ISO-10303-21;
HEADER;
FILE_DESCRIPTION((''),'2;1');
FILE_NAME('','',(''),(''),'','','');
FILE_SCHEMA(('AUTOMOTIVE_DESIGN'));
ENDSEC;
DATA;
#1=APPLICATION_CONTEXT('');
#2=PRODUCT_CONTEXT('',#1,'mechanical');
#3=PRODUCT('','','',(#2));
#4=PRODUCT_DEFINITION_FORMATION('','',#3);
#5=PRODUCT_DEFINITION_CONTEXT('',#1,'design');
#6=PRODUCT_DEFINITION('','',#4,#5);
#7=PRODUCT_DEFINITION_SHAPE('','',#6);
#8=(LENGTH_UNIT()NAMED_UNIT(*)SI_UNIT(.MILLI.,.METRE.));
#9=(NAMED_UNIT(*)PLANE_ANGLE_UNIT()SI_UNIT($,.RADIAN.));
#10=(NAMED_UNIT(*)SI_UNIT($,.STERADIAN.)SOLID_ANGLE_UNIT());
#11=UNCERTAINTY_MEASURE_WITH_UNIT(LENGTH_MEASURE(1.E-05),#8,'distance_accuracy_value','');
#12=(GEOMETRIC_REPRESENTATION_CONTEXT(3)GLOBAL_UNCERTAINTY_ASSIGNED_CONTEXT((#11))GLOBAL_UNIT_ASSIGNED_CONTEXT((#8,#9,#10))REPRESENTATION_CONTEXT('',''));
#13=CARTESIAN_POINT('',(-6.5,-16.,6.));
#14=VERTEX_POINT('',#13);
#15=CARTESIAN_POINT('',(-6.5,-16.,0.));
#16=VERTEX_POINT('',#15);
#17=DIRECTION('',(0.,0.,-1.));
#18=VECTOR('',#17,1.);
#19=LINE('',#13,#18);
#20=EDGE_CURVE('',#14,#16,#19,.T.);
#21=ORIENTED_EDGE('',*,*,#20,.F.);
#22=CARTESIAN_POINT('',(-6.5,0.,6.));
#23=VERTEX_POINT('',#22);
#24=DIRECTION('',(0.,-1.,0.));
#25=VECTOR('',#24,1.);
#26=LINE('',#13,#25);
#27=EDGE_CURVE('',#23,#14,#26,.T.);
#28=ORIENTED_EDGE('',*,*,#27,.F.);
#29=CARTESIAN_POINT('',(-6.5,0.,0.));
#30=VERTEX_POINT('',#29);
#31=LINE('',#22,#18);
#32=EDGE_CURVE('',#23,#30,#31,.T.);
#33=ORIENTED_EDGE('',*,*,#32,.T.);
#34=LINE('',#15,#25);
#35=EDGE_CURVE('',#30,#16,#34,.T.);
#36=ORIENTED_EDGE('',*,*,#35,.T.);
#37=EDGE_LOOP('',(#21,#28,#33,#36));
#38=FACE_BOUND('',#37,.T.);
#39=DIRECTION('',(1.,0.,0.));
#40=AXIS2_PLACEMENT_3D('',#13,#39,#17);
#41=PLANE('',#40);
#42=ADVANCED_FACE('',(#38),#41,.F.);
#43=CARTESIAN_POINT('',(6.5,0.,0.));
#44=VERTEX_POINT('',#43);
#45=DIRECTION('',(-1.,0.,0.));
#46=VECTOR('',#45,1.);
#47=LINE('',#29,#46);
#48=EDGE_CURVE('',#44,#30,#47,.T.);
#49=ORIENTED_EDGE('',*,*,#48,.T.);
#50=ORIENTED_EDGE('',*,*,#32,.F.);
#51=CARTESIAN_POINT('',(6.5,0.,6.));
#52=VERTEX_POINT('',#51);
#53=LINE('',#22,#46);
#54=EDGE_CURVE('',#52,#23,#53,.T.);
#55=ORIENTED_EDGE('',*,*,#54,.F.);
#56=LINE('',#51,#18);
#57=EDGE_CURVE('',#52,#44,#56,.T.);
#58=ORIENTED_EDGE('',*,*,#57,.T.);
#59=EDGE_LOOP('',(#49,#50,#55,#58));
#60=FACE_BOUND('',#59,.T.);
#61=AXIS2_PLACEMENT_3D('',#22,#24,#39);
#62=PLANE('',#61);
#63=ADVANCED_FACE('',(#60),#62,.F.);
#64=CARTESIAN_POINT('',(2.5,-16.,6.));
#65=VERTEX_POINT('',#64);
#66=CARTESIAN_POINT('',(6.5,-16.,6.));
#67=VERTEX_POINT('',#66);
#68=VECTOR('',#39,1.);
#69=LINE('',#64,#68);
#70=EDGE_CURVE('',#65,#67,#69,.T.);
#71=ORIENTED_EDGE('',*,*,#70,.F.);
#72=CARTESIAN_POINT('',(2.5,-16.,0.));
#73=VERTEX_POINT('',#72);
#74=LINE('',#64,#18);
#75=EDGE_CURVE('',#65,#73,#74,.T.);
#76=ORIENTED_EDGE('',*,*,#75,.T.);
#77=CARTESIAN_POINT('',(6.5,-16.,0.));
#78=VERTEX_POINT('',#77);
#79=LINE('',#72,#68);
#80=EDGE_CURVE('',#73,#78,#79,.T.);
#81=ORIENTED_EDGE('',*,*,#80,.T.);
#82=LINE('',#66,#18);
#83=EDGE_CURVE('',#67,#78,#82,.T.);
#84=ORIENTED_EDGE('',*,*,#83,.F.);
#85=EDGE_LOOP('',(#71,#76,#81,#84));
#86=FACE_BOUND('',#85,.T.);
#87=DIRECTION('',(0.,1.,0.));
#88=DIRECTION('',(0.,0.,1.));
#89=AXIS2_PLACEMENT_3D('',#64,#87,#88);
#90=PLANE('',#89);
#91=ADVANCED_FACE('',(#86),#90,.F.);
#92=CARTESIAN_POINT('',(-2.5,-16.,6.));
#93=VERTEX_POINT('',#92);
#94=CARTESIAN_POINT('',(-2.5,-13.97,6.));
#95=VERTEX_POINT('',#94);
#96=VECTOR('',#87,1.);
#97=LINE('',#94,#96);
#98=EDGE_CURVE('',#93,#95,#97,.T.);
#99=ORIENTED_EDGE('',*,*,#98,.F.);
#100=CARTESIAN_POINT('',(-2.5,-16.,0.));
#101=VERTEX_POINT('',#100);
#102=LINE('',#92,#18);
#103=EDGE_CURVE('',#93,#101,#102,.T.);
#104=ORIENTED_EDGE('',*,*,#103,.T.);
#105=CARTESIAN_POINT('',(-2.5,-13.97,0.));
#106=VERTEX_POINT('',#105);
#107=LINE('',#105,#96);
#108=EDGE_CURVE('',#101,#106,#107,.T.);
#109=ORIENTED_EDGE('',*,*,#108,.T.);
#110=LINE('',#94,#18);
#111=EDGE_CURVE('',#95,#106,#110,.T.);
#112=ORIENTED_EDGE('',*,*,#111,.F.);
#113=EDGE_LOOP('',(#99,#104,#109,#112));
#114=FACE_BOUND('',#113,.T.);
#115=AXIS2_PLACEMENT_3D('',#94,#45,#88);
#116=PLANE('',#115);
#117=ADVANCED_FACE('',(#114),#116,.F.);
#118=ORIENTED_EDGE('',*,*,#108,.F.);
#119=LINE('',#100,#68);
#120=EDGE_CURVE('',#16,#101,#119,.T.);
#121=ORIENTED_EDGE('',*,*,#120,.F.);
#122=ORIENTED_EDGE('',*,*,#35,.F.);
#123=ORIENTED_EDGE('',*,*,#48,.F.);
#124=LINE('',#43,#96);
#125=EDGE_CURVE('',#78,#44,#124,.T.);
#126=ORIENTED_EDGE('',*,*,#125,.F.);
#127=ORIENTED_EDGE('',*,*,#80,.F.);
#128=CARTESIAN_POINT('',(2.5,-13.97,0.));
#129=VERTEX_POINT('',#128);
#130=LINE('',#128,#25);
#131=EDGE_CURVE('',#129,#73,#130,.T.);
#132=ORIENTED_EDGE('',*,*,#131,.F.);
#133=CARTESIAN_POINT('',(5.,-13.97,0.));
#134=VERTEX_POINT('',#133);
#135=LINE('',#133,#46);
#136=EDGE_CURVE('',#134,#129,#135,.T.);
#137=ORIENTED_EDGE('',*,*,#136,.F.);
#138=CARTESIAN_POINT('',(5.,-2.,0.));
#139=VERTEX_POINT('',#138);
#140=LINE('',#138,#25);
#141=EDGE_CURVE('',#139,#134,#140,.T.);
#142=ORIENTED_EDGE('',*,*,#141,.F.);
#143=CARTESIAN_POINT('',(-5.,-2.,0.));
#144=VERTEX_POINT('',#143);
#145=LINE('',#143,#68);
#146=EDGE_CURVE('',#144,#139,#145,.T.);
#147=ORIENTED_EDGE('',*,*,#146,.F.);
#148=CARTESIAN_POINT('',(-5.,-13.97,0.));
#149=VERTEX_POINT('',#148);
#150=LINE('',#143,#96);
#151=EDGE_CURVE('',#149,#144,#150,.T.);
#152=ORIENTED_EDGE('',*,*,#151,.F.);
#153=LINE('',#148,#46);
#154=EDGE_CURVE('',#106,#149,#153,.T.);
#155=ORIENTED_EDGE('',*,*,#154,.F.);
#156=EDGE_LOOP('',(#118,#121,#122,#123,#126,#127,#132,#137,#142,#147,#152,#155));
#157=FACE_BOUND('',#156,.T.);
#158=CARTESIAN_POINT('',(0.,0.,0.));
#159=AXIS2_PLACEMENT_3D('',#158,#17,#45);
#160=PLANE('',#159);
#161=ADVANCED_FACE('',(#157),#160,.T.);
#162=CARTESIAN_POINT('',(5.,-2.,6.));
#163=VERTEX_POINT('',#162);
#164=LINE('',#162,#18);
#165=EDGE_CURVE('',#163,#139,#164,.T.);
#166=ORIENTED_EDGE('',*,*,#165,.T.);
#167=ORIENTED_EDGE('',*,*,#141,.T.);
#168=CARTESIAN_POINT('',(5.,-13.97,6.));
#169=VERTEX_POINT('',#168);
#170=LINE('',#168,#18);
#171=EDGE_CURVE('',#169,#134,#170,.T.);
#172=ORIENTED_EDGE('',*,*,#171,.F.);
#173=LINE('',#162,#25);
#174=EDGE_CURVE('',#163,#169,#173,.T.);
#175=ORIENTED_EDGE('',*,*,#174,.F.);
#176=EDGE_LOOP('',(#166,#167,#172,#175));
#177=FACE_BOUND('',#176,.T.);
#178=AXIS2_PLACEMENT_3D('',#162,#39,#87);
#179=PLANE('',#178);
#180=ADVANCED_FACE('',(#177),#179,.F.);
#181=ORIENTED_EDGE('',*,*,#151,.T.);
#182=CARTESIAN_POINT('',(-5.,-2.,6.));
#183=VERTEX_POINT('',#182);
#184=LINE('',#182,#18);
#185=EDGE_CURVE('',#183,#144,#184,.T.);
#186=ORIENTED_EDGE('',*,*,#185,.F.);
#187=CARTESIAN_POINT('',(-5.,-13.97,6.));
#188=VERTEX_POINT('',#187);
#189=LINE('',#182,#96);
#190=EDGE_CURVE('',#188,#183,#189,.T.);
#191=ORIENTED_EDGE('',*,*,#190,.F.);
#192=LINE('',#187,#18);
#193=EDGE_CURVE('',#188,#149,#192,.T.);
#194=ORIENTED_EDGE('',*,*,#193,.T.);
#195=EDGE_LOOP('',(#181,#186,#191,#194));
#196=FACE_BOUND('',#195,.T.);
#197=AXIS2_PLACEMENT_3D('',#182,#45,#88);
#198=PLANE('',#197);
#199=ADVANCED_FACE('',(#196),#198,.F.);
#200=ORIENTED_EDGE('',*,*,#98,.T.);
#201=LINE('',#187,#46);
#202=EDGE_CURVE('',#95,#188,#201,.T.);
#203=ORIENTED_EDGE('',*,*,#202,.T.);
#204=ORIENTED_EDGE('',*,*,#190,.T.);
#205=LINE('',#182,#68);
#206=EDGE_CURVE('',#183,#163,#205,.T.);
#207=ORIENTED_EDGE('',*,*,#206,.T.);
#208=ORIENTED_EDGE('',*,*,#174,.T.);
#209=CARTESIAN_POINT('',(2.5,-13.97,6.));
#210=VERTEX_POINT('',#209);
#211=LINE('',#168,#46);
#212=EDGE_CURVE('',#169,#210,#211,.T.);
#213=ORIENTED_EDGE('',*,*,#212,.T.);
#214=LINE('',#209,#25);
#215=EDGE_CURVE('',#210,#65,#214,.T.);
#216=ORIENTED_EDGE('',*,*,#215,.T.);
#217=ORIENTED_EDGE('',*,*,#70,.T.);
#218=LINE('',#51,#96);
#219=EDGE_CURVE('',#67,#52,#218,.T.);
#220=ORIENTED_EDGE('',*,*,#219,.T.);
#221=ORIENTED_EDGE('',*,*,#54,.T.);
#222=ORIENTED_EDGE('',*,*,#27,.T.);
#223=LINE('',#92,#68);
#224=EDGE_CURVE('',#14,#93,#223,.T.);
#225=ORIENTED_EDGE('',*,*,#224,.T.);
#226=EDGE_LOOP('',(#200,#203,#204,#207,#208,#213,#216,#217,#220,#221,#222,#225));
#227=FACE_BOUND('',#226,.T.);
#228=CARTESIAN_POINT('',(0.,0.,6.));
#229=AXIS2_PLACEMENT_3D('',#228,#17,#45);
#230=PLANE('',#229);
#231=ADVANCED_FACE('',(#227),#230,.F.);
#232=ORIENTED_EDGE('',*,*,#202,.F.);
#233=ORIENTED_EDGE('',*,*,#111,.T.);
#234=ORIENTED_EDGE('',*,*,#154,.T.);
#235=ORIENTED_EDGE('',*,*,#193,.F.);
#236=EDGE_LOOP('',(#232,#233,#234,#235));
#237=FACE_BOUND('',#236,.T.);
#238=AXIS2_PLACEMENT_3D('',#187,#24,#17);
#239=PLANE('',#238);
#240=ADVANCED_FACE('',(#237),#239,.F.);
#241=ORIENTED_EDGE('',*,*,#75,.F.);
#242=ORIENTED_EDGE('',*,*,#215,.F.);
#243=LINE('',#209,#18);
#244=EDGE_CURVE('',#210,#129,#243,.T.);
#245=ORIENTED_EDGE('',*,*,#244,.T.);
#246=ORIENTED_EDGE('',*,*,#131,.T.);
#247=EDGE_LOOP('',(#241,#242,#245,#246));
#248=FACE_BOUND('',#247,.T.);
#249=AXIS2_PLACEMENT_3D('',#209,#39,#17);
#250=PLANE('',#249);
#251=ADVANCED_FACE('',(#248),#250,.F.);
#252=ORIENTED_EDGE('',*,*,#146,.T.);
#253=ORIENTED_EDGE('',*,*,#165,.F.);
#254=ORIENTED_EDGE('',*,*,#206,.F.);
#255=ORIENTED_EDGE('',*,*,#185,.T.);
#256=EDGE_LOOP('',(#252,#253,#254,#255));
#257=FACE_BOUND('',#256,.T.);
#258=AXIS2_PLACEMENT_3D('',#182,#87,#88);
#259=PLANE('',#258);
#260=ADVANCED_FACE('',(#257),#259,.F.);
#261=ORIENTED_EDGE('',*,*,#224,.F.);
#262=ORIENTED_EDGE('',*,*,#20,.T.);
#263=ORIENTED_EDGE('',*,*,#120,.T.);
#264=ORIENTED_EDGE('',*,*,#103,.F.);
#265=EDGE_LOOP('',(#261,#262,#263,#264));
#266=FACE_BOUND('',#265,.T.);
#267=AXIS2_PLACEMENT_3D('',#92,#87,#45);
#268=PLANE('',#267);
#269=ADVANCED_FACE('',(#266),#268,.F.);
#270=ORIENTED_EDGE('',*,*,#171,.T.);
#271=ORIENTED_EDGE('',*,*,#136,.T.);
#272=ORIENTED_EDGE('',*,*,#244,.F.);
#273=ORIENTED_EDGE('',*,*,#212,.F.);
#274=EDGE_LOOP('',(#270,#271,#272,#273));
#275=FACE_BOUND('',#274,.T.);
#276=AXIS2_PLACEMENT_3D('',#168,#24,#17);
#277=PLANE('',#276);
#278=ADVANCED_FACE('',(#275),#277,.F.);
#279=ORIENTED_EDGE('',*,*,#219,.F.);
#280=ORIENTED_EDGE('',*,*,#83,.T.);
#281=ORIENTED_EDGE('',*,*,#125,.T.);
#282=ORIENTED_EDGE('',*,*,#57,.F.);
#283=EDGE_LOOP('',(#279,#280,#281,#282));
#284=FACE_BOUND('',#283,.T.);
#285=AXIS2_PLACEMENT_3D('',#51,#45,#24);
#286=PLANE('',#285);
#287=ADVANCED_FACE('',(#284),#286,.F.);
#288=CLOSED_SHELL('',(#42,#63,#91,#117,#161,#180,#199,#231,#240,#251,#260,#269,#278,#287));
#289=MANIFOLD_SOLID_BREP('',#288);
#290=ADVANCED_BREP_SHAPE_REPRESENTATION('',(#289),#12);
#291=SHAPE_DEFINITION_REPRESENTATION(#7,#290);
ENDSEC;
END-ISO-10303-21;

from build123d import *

# Parameters (mm, degrees)
BOSS_EXTRUDE1_DEPTH = 6


with BuildPart() as part:
    # Sketch1 → Boss-Extrude1 (new body)
    with BuildSketch(Plane.XY):
        Polygon((-5, -2), (-5, -13.97), (-2.5, -13.97), (-2.5, -16), (-6.5, -16), (-6.5, 0), (6.5, 0), (6.5, -16), (2.5, -16), (2.5, -13.97), (5, -13.97), (5, -2), align=None)
    extrude(amount=BOSS_EXTRUDE1_DEPTH)


solid = part.part
